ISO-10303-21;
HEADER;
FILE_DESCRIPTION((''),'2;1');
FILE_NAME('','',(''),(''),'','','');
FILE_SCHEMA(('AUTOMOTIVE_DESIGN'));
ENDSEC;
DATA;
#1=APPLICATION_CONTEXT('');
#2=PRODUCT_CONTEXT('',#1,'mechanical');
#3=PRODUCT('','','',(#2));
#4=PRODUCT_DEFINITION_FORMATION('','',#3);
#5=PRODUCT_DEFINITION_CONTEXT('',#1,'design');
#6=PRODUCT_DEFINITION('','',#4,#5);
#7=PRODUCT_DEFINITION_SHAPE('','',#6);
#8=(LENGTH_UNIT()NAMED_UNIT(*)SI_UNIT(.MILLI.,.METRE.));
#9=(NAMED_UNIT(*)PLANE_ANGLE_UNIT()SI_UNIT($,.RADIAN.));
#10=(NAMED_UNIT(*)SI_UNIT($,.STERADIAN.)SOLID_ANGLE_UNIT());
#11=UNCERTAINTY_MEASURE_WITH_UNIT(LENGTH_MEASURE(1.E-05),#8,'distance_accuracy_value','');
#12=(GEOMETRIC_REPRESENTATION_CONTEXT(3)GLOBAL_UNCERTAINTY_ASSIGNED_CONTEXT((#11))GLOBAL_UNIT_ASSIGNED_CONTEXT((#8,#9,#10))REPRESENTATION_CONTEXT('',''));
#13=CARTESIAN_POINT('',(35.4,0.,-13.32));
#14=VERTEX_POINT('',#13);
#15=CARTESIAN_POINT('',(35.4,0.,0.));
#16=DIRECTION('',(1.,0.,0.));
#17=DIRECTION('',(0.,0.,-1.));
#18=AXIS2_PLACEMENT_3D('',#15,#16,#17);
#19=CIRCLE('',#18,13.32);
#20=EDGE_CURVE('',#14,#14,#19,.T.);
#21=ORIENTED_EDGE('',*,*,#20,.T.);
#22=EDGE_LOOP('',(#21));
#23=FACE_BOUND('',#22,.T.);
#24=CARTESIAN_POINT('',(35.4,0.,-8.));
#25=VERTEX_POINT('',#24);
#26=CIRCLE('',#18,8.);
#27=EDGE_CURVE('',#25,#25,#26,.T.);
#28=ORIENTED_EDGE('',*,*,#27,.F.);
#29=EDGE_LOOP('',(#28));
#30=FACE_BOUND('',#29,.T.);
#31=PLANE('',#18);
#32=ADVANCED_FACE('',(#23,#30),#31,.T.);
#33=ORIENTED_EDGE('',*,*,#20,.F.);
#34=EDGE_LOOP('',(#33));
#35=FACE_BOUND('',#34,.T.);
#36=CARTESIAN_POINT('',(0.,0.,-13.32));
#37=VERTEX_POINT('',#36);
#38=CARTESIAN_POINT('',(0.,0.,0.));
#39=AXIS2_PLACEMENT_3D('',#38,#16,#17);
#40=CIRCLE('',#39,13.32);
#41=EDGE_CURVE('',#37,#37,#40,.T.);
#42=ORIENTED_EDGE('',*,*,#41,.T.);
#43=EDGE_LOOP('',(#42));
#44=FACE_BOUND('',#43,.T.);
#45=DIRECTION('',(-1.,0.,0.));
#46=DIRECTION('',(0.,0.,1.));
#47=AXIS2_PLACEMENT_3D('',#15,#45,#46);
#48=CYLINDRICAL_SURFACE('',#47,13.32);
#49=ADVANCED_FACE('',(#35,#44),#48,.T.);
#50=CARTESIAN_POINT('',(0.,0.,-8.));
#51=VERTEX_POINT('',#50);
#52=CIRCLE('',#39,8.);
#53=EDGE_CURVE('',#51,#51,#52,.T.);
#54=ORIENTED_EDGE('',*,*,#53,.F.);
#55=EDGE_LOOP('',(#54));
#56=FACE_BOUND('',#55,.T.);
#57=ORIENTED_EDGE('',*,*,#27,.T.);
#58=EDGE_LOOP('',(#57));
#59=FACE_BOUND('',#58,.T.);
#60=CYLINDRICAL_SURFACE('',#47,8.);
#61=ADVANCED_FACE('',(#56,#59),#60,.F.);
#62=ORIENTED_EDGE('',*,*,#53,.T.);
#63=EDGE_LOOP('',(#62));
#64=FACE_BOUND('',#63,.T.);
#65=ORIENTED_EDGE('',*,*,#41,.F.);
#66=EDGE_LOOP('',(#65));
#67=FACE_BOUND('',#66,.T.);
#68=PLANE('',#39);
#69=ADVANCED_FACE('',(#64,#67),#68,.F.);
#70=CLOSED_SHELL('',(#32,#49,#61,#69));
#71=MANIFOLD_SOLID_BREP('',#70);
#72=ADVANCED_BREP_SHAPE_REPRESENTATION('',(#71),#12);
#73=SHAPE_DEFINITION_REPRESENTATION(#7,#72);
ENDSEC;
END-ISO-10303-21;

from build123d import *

# Parameters (mm, degrees)
CROQUIS1_R              = 13.32
CROQUIS1_R_2            = 8
SALIENTE_EXTRUIR1_DEPTH = 35.4


with BuildPart() as part:
    # Croquis1 → Saliente-Extruir1 (new body)
    with BuildSketch(Plane(origin=(0, 0, 0), x_dir=(0, 0, -1), z_dir=(1, 0, 0))):
        Circle(CROQUIS1_R)
        Circle(CROQUIS1_R_2, mode=Mode.SUBTRACT)
    extrude(amount=SALIENTE_EXTRUIR1_DEPTH)


solid = part.part
